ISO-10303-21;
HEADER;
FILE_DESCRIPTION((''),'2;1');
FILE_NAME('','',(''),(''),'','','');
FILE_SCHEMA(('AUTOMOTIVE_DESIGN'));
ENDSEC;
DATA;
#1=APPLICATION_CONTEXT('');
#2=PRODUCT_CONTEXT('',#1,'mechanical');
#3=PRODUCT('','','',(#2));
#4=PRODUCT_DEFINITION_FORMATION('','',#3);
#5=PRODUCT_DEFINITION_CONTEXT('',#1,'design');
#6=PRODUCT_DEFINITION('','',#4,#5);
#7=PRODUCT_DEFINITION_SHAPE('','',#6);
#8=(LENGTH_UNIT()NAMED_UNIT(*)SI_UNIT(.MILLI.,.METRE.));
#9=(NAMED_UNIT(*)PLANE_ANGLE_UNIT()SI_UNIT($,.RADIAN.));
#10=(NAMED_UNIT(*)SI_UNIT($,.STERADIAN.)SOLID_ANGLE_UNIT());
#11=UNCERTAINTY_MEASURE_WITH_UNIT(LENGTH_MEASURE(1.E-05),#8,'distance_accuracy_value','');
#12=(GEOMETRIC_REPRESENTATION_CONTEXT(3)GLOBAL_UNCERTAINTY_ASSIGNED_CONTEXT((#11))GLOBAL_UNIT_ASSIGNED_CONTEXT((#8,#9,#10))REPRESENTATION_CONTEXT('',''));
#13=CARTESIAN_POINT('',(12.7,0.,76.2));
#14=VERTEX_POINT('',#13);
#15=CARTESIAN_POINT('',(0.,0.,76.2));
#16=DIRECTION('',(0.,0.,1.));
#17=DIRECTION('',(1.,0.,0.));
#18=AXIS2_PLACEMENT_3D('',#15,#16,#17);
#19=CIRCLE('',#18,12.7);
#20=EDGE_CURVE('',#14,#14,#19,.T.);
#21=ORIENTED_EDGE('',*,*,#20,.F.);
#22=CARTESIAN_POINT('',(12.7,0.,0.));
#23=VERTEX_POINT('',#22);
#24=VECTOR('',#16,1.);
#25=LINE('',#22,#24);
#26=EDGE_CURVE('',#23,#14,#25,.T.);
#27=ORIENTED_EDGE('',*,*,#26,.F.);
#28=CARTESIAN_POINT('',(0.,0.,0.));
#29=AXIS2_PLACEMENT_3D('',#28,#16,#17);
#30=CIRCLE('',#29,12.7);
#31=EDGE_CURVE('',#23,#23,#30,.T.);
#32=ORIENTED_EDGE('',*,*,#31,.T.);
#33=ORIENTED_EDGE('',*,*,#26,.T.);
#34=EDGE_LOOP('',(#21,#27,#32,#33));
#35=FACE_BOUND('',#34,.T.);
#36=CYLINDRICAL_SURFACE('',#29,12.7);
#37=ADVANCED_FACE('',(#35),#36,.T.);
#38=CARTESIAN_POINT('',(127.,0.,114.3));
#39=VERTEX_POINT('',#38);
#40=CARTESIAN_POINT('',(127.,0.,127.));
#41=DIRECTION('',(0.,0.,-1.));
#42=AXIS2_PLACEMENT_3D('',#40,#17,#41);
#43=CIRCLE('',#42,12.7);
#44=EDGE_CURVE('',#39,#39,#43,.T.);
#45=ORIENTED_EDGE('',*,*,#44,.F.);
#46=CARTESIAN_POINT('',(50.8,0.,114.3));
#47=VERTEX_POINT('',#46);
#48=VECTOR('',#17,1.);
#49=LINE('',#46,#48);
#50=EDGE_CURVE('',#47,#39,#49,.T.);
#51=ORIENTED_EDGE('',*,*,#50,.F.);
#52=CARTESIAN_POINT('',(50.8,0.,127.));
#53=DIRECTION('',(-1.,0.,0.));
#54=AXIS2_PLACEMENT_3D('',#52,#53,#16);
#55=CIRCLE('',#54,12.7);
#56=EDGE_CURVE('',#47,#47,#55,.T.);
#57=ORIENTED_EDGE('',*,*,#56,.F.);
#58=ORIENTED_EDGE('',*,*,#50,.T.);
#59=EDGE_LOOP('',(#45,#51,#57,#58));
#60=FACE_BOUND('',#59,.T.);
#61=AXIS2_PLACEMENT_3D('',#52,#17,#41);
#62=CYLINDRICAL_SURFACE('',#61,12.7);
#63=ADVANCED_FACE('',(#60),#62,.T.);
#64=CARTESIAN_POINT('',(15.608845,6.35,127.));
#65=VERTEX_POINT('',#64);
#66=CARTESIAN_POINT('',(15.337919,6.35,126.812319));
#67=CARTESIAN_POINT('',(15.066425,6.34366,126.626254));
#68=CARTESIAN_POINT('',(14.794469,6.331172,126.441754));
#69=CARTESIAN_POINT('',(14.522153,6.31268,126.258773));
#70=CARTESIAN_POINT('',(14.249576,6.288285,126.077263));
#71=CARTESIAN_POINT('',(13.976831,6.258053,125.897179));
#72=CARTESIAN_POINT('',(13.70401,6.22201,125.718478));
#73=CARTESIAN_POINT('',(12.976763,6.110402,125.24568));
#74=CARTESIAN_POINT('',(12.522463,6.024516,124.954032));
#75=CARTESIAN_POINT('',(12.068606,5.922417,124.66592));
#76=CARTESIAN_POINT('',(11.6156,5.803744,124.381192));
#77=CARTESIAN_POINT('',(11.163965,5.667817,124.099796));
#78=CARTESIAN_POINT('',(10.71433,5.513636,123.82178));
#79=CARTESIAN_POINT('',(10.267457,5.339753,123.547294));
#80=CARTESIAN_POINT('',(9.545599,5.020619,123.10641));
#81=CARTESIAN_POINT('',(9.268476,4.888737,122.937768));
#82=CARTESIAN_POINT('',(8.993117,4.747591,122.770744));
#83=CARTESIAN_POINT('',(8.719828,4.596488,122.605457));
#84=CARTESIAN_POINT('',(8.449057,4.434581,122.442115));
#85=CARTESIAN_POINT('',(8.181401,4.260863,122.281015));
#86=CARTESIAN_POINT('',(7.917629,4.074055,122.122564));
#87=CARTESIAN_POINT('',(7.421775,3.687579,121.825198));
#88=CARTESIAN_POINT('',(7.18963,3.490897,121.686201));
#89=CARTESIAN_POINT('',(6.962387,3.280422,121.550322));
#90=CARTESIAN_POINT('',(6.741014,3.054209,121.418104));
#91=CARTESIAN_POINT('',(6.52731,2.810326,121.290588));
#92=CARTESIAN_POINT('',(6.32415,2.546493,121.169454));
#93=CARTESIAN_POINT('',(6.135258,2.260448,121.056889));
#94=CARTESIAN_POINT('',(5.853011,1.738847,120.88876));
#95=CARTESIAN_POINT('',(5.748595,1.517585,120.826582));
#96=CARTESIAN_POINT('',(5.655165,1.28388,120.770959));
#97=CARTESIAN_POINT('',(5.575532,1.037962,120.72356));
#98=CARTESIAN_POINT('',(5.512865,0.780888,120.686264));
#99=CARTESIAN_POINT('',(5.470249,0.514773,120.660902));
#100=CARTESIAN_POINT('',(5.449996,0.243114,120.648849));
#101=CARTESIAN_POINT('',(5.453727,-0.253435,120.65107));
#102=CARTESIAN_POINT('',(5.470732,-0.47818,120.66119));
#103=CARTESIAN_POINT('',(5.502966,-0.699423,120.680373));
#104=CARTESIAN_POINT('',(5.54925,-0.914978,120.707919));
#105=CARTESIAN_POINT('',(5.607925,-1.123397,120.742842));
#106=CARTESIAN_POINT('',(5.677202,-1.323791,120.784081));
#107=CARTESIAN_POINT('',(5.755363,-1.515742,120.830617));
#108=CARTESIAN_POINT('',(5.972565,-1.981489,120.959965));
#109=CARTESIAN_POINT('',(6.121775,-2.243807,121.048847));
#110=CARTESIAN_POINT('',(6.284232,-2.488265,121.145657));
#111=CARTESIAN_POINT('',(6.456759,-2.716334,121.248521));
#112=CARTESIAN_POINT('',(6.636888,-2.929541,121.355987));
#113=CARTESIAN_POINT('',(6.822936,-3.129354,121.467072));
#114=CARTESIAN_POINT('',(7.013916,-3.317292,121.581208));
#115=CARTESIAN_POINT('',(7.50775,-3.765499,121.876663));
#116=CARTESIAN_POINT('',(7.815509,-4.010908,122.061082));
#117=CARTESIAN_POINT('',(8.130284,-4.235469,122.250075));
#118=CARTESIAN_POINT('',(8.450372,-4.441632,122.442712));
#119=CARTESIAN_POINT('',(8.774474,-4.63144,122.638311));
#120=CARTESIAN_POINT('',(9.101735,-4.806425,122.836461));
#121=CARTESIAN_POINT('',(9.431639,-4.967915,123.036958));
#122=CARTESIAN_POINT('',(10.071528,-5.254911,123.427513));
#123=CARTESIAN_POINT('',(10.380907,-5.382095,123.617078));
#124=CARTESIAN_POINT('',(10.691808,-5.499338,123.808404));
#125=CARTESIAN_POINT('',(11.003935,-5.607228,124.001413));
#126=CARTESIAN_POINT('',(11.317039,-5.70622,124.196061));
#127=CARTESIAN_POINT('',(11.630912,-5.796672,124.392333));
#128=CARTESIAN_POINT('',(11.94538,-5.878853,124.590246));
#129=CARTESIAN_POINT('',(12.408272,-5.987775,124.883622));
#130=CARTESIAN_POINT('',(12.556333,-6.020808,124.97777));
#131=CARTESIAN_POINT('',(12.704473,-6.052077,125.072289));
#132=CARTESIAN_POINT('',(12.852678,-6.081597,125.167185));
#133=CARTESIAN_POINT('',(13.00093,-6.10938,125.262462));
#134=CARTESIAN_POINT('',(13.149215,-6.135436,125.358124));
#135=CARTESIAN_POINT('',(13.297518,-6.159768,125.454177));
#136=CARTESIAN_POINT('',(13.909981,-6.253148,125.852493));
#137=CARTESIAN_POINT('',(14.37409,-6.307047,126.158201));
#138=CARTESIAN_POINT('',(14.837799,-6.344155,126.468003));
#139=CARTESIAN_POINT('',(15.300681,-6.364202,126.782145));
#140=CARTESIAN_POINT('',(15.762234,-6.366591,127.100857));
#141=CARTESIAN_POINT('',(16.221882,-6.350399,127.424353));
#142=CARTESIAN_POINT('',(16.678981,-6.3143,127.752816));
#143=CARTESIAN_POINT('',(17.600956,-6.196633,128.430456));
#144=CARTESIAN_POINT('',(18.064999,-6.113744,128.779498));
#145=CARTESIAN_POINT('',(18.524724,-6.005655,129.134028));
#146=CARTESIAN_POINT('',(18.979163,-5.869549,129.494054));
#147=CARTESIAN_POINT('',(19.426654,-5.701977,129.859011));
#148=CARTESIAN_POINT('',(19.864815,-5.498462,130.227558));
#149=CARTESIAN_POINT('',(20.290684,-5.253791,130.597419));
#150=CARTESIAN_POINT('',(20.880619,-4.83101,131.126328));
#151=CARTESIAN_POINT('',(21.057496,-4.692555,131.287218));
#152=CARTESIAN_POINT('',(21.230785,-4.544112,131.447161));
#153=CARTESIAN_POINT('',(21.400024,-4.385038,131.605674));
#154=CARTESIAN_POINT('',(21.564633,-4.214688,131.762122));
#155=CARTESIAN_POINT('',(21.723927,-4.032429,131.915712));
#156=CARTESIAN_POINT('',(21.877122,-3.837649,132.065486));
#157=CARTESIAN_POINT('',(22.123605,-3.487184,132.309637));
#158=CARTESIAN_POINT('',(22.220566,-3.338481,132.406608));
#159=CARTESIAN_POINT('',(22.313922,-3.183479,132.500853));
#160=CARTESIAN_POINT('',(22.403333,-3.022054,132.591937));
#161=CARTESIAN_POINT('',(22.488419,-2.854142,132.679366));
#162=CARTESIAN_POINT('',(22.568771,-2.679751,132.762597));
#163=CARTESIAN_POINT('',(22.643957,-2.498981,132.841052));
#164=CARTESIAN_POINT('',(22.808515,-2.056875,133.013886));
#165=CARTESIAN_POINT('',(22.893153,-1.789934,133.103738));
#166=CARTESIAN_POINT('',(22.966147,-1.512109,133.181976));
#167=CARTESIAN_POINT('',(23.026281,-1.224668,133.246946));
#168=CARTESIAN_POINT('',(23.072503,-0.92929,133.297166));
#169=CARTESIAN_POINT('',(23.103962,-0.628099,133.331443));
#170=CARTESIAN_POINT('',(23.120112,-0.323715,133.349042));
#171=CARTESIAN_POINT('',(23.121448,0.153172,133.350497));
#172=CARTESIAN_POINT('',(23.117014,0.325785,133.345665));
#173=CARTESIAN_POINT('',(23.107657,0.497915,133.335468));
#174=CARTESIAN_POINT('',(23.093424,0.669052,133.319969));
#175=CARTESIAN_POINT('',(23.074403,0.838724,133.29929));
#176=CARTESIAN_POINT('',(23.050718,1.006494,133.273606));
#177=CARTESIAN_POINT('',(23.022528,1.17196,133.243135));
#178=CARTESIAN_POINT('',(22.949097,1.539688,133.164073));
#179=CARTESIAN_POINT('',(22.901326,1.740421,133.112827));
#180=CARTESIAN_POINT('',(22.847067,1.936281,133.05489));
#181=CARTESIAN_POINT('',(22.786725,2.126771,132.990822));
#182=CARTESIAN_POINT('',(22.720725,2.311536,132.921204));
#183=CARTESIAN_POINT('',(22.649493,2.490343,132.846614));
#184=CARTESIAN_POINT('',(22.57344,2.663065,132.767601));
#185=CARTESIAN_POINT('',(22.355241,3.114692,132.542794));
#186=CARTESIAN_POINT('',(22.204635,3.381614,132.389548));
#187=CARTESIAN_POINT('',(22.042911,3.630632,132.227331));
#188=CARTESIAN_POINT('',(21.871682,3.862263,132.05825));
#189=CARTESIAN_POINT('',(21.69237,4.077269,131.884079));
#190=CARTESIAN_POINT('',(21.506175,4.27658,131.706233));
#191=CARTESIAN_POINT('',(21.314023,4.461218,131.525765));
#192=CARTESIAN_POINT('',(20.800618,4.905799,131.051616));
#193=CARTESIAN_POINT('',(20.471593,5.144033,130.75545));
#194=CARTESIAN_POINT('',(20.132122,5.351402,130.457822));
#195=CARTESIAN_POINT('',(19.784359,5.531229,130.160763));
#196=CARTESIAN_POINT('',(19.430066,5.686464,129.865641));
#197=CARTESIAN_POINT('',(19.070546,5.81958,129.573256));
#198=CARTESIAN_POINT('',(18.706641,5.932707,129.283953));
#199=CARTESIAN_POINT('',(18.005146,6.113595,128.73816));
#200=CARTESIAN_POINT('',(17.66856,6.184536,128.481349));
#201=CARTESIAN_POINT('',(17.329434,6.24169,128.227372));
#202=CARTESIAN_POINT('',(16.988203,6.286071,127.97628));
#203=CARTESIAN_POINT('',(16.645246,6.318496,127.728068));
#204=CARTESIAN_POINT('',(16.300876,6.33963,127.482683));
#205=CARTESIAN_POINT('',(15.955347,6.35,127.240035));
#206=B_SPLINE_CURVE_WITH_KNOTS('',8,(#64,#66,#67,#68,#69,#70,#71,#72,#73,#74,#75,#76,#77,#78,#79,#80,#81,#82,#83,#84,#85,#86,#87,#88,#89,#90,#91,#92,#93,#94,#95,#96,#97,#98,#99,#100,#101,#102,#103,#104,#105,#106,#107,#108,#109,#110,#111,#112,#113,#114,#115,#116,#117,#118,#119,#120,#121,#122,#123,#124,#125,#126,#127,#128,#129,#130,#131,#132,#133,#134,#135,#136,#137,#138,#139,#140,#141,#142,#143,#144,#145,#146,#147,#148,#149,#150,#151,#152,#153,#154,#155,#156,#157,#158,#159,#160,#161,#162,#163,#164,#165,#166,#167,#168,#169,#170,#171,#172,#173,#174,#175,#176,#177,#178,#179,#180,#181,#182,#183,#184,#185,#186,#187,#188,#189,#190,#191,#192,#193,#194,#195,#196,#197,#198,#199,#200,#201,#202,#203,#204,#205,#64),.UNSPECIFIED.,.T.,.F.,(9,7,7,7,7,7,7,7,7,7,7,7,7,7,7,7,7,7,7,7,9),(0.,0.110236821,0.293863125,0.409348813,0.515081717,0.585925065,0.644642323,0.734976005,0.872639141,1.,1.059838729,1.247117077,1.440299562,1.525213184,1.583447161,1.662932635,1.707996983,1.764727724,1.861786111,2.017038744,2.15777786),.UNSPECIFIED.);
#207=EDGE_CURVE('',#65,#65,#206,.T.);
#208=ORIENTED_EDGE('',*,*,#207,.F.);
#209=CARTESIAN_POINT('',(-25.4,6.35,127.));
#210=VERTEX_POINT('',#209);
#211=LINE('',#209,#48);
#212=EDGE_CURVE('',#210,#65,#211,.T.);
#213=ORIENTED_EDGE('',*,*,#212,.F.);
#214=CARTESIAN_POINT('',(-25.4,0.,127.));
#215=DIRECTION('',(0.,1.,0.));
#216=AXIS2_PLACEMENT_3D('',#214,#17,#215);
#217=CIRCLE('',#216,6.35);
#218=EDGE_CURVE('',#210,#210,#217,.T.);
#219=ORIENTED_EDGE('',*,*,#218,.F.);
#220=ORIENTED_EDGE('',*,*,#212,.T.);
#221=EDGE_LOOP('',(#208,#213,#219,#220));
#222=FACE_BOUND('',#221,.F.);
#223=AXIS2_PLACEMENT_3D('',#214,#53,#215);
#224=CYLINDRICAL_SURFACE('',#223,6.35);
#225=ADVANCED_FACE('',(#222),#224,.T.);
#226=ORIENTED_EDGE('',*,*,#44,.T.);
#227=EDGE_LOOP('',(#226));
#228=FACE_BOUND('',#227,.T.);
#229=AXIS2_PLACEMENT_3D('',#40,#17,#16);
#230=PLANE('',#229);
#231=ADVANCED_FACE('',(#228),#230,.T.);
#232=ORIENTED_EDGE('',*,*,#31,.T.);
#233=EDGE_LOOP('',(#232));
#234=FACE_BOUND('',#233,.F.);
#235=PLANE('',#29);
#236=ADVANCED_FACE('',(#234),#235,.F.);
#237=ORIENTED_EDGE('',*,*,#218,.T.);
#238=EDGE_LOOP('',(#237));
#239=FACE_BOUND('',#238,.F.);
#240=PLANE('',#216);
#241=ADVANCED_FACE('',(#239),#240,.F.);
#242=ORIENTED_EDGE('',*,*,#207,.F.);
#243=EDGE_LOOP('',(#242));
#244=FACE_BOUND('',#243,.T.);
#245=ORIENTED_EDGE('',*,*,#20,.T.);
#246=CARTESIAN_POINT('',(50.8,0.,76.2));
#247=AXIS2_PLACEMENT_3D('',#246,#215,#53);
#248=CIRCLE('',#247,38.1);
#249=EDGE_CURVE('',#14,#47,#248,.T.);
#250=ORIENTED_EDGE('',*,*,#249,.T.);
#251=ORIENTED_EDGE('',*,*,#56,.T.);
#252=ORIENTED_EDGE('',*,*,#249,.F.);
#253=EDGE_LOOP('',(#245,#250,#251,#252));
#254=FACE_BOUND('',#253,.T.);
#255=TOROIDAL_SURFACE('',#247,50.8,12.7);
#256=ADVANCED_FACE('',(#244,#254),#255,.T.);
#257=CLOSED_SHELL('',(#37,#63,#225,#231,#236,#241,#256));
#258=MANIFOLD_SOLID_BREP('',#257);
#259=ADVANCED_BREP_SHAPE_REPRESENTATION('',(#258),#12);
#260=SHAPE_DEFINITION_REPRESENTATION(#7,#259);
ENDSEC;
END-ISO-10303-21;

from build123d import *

# Parameters (mm, degrees)
F1_R     = 12.7
F4_R     = 6.35
F5_DEPTH = 75


with BuildPart() as f2:
    # F2: sweep along a path in F0
    with BuildLine(Plane.XZ) as f2_path:
        Line((0, 0), (0, 76.2))
        ThreePointArc((0, 76.2), (14.8789755157, 112.1210244843), (50.8, 127))
        Line((50.8, 127), (127, 127))
    # F1 (on Top) → F2 (sweep)
    with BuildSketch(Plane.XY):
        Circle(F1_R)
    sweep(path=f2_path.line)

    # F4 (on offset) → F5 (join)
    with BuildSketch(Plane.YZ.offset(-25.4)):
        with Locations((0, 127)):
            Circle(F4_R)
    extrude(amount=F5_DEPTH)


solid = f2.part
